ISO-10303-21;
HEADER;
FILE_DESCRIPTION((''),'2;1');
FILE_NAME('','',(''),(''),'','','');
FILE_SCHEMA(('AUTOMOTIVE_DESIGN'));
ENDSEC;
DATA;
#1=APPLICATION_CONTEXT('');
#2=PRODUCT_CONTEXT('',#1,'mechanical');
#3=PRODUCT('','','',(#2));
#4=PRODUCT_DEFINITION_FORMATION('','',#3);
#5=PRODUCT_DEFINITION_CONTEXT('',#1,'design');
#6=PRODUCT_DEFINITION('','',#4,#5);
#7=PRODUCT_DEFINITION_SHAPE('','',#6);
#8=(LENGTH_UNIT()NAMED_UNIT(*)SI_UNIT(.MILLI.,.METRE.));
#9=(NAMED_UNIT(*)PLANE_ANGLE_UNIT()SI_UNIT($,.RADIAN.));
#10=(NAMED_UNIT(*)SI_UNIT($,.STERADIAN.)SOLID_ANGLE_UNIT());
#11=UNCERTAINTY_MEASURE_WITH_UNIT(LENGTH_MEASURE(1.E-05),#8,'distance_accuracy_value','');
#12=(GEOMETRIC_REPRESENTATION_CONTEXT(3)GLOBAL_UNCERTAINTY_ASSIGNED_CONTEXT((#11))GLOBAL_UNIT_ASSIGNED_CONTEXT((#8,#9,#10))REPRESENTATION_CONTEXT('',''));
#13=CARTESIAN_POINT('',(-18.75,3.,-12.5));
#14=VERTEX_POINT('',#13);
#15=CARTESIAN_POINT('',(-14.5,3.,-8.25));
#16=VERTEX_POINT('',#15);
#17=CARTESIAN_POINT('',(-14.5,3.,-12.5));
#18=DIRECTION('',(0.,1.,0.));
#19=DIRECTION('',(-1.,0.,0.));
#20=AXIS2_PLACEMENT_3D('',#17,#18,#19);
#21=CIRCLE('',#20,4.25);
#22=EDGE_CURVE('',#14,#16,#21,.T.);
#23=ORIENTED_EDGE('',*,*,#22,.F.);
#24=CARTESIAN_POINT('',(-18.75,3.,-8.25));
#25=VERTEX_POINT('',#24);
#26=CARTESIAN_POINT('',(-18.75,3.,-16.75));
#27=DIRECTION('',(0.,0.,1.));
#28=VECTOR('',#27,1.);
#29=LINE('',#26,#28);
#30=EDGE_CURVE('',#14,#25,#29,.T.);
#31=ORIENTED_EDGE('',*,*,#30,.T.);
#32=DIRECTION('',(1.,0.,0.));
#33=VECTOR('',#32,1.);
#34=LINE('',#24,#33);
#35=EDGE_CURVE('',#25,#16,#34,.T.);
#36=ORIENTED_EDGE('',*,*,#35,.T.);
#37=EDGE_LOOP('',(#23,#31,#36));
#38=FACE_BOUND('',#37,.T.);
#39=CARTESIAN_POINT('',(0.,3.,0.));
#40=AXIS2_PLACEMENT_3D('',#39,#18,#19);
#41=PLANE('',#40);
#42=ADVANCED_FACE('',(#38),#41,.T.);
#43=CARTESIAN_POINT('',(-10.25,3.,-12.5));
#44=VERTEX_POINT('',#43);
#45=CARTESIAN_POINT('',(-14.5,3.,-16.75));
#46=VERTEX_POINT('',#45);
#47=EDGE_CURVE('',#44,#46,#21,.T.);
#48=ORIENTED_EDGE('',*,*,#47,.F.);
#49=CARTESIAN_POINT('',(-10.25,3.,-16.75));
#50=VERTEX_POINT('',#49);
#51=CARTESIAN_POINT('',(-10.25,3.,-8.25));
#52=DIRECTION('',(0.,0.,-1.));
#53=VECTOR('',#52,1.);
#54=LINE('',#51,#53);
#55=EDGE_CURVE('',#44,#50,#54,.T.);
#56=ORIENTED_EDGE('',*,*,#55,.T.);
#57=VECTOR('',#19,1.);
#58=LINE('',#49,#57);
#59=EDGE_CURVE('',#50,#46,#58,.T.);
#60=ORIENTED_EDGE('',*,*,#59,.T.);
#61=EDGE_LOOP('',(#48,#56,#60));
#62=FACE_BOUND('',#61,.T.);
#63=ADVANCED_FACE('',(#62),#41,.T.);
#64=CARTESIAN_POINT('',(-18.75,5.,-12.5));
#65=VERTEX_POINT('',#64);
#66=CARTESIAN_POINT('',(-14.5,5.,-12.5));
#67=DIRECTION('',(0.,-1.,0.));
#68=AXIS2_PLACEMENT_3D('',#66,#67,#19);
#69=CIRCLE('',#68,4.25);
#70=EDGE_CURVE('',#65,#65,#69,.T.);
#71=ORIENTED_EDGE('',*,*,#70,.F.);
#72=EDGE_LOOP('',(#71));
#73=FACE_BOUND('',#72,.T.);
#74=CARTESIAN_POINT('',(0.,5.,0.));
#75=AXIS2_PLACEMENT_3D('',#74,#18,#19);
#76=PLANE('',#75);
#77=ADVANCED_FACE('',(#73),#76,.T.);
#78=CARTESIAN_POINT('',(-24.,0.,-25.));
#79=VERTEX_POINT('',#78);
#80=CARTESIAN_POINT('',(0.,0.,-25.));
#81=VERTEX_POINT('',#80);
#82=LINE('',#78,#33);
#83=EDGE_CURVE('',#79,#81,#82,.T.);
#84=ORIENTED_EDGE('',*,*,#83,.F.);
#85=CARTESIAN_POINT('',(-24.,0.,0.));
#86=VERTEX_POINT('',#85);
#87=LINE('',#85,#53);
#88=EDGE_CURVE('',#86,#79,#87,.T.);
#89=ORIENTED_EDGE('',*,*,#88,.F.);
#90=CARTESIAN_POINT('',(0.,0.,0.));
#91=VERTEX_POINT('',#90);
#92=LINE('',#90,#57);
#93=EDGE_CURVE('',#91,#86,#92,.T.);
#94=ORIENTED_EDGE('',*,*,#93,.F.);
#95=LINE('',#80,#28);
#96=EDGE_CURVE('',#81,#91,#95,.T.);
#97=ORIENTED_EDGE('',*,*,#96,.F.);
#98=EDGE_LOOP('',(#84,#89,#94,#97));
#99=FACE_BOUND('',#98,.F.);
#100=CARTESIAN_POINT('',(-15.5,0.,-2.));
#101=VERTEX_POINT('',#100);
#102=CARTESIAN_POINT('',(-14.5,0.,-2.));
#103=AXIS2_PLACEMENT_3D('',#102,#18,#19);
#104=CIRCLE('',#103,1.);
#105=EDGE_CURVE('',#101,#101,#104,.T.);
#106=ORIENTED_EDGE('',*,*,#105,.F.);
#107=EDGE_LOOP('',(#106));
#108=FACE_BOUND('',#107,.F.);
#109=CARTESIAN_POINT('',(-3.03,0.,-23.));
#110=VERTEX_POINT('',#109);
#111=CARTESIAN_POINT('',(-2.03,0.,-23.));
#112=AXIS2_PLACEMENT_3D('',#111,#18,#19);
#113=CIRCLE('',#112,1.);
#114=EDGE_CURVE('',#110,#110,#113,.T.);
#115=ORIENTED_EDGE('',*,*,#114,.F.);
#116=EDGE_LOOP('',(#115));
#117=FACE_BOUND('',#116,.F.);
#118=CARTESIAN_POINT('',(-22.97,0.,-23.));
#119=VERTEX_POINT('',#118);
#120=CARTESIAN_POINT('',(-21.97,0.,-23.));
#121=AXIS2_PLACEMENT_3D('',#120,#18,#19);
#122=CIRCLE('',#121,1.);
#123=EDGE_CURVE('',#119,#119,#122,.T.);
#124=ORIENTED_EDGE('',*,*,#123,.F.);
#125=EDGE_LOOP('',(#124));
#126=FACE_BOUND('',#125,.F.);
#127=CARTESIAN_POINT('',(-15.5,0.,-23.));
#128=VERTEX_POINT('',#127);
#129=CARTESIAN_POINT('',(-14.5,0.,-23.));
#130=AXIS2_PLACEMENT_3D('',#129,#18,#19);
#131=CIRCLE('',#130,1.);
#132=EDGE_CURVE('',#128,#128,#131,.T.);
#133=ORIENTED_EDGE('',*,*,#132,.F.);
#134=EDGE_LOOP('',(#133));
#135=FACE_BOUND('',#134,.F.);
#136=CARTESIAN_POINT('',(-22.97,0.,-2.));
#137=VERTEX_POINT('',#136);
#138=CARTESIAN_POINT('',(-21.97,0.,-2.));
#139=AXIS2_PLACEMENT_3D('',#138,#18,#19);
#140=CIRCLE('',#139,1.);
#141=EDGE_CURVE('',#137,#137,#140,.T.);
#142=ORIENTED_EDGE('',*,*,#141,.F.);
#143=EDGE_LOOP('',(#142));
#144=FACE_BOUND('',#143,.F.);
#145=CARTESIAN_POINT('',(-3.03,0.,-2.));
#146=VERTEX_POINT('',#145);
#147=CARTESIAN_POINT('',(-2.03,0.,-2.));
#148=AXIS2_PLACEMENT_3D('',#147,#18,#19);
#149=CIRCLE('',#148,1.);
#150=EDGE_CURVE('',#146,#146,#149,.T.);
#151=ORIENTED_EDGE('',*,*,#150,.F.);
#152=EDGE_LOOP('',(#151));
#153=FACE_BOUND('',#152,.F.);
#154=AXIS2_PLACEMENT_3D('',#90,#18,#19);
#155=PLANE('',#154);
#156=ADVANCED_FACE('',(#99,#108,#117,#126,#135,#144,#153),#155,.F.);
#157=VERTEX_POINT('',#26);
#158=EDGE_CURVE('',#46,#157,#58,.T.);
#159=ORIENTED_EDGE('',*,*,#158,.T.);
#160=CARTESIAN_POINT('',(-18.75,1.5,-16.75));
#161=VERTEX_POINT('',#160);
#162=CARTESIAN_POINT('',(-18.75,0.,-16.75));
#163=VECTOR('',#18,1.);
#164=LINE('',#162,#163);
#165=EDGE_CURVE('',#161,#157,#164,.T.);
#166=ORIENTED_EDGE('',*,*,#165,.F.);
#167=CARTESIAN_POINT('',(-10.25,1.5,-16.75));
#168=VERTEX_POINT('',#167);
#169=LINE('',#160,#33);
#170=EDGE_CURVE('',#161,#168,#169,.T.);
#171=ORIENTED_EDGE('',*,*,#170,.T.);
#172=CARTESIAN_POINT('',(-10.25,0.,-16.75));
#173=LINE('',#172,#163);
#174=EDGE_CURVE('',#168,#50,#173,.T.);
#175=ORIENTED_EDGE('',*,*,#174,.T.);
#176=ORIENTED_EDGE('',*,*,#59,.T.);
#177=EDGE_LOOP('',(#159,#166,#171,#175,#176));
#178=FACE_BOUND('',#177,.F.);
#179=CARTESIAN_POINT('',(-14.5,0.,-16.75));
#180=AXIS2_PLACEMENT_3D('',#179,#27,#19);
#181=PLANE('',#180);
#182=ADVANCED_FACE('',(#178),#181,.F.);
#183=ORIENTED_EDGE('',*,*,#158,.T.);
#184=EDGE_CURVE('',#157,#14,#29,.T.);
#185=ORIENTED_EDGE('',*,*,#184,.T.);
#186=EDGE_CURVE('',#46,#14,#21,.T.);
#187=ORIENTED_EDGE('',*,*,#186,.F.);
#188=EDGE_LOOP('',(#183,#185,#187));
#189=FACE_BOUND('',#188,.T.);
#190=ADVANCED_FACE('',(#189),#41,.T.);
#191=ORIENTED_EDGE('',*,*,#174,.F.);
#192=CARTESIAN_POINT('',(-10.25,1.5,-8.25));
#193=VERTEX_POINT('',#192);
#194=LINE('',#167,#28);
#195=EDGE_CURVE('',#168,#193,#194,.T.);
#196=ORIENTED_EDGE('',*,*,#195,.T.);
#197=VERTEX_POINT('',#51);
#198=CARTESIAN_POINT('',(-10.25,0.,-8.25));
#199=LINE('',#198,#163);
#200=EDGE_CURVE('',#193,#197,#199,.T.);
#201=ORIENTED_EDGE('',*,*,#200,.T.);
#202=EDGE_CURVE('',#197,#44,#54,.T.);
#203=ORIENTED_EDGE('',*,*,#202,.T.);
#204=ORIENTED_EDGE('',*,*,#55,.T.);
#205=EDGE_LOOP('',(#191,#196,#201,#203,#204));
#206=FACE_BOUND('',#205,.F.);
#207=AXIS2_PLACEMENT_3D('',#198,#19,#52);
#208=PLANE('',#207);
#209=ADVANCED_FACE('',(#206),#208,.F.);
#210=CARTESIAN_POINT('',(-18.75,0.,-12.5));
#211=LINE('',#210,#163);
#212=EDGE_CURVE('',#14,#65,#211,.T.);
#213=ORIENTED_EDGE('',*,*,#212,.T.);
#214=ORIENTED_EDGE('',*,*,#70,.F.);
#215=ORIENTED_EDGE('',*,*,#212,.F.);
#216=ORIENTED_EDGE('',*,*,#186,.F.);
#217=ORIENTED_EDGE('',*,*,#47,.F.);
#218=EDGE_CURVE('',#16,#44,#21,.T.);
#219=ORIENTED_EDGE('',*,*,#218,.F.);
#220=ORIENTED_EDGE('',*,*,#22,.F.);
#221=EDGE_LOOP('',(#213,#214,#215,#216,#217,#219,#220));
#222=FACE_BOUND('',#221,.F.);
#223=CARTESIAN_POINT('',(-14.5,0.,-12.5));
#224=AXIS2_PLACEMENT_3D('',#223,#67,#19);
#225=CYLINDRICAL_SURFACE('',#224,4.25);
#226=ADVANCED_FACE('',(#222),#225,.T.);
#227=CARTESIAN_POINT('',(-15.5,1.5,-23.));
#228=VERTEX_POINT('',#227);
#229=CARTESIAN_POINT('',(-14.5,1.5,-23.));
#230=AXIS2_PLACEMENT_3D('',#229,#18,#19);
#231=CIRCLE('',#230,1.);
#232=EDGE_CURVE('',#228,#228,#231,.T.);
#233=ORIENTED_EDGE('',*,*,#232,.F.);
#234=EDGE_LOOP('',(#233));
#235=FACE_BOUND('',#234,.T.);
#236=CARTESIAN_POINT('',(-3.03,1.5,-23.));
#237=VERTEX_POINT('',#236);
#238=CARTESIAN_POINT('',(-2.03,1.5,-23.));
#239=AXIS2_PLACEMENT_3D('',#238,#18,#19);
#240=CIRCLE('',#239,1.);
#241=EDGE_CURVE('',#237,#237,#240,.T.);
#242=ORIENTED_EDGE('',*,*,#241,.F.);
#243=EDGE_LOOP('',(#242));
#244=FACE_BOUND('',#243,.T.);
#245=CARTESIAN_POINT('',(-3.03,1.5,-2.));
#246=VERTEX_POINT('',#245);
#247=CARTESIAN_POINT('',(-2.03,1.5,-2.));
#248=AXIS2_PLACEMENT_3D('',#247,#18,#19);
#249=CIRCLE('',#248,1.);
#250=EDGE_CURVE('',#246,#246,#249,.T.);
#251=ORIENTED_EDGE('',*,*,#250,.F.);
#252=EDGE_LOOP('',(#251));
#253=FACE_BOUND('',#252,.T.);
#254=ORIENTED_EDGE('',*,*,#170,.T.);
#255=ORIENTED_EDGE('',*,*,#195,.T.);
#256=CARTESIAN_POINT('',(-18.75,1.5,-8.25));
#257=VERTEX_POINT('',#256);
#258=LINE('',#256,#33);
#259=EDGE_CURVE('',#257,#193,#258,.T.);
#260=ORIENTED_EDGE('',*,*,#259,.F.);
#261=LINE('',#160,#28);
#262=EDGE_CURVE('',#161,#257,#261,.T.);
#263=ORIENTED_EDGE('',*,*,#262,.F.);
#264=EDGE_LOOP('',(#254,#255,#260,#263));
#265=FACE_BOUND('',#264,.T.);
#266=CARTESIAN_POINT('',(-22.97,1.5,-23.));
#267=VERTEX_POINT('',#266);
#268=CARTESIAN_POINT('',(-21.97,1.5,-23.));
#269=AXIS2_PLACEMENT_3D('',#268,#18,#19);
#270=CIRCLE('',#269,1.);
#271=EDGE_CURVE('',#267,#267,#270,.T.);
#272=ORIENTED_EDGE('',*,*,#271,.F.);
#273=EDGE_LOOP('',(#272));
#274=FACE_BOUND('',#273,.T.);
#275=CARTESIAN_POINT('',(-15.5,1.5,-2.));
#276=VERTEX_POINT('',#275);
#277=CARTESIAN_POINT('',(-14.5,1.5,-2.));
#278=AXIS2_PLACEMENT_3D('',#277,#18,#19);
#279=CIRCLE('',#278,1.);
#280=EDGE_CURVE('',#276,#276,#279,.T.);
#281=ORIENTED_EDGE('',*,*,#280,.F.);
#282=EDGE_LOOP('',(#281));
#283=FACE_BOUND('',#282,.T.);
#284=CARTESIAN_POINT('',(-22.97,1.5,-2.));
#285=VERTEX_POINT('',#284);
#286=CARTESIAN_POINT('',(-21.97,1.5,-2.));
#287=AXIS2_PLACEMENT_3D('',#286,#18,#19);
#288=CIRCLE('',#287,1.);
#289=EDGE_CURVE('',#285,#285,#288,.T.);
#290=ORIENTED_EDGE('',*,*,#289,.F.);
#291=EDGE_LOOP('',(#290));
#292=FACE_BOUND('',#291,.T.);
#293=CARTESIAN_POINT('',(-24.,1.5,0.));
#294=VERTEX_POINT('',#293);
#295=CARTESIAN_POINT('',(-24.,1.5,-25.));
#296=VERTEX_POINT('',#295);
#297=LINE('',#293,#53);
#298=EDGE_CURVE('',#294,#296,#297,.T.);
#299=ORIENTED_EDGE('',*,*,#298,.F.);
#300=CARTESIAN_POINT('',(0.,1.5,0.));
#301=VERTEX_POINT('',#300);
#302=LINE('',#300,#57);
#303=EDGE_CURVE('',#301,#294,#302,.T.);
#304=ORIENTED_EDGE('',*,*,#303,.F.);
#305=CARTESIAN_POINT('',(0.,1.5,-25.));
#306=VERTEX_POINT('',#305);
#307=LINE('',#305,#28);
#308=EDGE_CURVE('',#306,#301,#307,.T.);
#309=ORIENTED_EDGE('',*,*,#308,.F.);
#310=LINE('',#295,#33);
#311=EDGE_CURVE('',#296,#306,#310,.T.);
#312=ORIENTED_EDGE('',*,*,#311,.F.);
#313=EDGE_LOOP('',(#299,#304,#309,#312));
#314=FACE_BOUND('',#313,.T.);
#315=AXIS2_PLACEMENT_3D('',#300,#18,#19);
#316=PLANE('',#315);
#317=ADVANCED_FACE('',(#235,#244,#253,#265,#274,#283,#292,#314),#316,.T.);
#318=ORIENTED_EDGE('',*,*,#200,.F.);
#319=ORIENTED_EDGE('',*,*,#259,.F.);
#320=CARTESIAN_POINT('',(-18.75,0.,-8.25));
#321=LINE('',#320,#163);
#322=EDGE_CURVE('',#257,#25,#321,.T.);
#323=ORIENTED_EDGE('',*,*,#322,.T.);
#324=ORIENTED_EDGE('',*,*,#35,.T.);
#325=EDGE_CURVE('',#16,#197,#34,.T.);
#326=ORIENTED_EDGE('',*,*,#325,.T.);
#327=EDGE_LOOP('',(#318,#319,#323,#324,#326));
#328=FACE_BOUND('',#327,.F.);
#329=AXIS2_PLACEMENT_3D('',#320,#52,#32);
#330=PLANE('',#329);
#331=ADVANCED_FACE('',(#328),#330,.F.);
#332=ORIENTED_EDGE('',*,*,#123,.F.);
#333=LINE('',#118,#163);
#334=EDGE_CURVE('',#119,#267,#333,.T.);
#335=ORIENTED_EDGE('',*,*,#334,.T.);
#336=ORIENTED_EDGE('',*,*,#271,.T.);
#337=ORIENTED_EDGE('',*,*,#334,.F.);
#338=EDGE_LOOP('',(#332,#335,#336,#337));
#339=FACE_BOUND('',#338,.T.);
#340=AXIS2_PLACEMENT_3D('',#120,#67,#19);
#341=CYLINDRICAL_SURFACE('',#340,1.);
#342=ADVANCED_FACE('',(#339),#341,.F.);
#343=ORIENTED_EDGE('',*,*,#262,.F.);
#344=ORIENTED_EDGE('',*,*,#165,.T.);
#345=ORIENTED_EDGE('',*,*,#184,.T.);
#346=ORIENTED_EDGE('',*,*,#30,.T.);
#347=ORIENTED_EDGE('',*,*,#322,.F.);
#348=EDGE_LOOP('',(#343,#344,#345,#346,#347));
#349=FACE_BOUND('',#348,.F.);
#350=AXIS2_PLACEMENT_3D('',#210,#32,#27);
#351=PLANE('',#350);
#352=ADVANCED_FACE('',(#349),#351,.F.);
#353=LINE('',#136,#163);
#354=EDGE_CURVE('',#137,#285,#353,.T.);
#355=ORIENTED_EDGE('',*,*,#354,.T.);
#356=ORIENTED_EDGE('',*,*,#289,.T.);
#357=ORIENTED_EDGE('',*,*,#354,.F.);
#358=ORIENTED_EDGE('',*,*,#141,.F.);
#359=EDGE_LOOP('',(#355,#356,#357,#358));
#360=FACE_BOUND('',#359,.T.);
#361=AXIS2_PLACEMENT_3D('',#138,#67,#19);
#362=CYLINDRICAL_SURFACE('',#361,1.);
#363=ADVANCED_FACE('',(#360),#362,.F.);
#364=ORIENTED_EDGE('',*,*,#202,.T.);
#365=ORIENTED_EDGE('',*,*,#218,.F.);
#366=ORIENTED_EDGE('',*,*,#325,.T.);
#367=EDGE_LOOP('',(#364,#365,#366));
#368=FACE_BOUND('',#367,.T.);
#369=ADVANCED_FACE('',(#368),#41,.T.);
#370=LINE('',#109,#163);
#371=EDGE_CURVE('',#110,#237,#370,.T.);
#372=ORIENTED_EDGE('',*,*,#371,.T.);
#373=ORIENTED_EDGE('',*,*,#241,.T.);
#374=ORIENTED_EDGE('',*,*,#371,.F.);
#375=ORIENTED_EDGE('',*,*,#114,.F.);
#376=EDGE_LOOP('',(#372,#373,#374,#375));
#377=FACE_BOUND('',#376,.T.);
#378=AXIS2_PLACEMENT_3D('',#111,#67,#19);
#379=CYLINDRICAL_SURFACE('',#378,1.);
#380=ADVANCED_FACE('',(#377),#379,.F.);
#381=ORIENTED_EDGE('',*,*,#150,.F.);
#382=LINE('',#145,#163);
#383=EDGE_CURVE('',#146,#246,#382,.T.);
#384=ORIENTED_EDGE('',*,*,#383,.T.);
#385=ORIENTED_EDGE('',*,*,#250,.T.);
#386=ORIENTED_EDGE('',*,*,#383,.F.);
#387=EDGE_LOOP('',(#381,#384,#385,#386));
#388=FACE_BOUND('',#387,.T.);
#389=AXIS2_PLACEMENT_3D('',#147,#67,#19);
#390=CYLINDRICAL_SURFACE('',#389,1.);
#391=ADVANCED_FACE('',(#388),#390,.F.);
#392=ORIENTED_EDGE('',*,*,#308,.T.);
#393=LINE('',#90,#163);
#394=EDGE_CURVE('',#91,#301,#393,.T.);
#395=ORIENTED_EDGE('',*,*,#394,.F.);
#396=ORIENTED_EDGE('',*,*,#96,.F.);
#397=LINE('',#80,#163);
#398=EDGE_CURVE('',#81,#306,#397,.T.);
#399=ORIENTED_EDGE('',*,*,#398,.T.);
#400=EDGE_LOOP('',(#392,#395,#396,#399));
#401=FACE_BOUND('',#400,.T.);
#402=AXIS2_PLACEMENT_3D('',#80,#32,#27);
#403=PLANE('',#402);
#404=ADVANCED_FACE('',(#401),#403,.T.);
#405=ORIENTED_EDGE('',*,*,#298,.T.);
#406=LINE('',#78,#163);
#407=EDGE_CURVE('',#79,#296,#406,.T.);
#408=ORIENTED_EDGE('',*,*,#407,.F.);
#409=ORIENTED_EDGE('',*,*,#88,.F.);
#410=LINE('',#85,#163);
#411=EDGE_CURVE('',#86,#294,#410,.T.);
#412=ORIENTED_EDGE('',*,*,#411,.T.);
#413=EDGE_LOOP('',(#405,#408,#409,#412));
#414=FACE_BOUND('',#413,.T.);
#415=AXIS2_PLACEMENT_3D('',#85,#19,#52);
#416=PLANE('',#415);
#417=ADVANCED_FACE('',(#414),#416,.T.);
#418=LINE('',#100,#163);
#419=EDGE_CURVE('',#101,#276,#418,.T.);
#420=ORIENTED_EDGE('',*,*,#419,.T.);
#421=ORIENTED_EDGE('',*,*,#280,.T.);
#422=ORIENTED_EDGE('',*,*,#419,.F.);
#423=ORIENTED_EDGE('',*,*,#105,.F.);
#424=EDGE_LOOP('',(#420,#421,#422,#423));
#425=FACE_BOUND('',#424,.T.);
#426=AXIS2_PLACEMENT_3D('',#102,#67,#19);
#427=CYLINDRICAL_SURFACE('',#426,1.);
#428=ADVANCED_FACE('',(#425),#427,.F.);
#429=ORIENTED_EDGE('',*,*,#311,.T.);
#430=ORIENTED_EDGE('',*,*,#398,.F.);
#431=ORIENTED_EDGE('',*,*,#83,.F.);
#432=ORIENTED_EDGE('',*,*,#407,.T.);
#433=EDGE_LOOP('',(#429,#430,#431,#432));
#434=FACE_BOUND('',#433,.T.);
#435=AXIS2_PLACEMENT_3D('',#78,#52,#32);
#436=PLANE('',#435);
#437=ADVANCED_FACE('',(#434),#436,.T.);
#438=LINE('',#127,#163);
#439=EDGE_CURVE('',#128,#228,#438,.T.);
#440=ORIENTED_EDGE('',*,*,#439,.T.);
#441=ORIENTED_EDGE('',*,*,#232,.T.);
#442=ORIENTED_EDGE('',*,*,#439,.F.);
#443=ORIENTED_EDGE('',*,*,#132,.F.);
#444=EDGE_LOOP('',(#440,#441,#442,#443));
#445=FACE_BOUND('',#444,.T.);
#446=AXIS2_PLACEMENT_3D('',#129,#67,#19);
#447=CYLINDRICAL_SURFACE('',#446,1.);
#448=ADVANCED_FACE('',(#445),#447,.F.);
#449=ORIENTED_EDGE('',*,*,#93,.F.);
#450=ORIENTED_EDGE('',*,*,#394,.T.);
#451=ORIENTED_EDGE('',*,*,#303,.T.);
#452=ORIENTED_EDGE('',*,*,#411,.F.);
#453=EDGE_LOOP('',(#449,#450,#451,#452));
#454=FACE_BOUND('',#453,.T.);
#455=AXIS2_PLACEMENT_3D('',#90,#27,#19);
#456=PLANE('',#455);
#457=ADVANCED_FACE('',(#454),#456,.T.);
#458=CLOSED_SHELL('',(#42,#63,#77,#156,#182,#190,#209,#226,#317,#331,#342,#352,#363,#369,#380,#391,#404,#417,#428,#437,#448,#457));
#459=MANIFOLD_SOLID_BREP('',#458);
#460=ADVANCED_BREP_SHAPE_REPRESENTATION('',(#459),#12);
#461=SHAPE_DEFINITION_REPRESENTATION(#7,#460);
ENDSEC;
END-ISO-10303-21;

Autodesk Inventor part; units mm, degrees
ref_plane "YZ Plane" through (0, 0, 0) normal (1, 0, 0) x (0, 1, 0)
ref_plane "XZ Plane" through (0, 0, 0) normal (0, 1, 0) x (-1, 0, 0)
ref_plane "XY Plane" through (0, 0, 0) normal (0, 0, 1) x (1, 0, 0)
sketch "스케치1" plane through (0, 0, 0) normal (0, 1, 0) x (-1, 0, 0)
  line L0 (0, 0) -> (24, 0)
  line L1 (24, 0) -> (24, -25)
  line L2 (24, -25) -> (0, -25)
  line L3 (0, -25) -> (0, 0)
  circle A0 centre (21.97, -2) radius 1
  circle A1 centre (2.03, -2) radius 1
  circle A2 centre (14.5, -2) radius 1
  circle A3 centre (21.97, -23) radius 1
  circle A4 centre (14.5, -23) radius 1
  circle A5 centre (2.03, -23) radius 1
  line L4 (18.75, -8.25) -> (10.25, -8.25)
  line L5 (10.25, -8.25) -> (10.25, -16.75)
  line L6 (10.25, -16.75) -> (18.75, -16.75)
  line L7 (18.75, -16.75) -> (18.75, -8.25)
  circle A6 centre (14.5, -12.5) radius 4.25
  point P0 (0, -12.5)
  point P1 (14.5, -8.25)
  point P2 (18.75, -12.5)
  point P3 (14.5, -16.75)
  point P4 (10.25, -12.5)
  dimension "d0" = 24
  dimension "d1" = 25
  dimension "d2" = 2
  dimension "d3" = 2
  dimension "d4" = 2
  dimension "d5" = 2
  dimension "d7" = 2
  dimension "d8" = 2
  dimension "d9" = 2
  dimension "d10" = 2
  dimension "d11" = 2.03
  dimension "d12" = 2.03
  dimension "d13" = 21
  dimension "d14" = 21
  dimension "d15" = 21
  dimension "d16" = 14.5
  dimension "d17" = 14.5
  dimension "d18" = 2.03
  dimension "d19" = 2.03
  dimension "d23" = 8.5
  dimension "d24" = 8.5
  dimension "d25" = 14.5
  dimension "d26" = 12.5
extrude "돌출1" add sketch "스케치1" along normal blind 1.5
extrude "돌출2" add sketch "스케치1" along normal blind 3 contours L7 A6 L4 | A6 L5 L4 | L7 L6 A6 | A6 L6 L5
extrude "돌출3" add sketch "스케치1" along normal blind 5 contours A6
properties part number "pasapery pi camera"
